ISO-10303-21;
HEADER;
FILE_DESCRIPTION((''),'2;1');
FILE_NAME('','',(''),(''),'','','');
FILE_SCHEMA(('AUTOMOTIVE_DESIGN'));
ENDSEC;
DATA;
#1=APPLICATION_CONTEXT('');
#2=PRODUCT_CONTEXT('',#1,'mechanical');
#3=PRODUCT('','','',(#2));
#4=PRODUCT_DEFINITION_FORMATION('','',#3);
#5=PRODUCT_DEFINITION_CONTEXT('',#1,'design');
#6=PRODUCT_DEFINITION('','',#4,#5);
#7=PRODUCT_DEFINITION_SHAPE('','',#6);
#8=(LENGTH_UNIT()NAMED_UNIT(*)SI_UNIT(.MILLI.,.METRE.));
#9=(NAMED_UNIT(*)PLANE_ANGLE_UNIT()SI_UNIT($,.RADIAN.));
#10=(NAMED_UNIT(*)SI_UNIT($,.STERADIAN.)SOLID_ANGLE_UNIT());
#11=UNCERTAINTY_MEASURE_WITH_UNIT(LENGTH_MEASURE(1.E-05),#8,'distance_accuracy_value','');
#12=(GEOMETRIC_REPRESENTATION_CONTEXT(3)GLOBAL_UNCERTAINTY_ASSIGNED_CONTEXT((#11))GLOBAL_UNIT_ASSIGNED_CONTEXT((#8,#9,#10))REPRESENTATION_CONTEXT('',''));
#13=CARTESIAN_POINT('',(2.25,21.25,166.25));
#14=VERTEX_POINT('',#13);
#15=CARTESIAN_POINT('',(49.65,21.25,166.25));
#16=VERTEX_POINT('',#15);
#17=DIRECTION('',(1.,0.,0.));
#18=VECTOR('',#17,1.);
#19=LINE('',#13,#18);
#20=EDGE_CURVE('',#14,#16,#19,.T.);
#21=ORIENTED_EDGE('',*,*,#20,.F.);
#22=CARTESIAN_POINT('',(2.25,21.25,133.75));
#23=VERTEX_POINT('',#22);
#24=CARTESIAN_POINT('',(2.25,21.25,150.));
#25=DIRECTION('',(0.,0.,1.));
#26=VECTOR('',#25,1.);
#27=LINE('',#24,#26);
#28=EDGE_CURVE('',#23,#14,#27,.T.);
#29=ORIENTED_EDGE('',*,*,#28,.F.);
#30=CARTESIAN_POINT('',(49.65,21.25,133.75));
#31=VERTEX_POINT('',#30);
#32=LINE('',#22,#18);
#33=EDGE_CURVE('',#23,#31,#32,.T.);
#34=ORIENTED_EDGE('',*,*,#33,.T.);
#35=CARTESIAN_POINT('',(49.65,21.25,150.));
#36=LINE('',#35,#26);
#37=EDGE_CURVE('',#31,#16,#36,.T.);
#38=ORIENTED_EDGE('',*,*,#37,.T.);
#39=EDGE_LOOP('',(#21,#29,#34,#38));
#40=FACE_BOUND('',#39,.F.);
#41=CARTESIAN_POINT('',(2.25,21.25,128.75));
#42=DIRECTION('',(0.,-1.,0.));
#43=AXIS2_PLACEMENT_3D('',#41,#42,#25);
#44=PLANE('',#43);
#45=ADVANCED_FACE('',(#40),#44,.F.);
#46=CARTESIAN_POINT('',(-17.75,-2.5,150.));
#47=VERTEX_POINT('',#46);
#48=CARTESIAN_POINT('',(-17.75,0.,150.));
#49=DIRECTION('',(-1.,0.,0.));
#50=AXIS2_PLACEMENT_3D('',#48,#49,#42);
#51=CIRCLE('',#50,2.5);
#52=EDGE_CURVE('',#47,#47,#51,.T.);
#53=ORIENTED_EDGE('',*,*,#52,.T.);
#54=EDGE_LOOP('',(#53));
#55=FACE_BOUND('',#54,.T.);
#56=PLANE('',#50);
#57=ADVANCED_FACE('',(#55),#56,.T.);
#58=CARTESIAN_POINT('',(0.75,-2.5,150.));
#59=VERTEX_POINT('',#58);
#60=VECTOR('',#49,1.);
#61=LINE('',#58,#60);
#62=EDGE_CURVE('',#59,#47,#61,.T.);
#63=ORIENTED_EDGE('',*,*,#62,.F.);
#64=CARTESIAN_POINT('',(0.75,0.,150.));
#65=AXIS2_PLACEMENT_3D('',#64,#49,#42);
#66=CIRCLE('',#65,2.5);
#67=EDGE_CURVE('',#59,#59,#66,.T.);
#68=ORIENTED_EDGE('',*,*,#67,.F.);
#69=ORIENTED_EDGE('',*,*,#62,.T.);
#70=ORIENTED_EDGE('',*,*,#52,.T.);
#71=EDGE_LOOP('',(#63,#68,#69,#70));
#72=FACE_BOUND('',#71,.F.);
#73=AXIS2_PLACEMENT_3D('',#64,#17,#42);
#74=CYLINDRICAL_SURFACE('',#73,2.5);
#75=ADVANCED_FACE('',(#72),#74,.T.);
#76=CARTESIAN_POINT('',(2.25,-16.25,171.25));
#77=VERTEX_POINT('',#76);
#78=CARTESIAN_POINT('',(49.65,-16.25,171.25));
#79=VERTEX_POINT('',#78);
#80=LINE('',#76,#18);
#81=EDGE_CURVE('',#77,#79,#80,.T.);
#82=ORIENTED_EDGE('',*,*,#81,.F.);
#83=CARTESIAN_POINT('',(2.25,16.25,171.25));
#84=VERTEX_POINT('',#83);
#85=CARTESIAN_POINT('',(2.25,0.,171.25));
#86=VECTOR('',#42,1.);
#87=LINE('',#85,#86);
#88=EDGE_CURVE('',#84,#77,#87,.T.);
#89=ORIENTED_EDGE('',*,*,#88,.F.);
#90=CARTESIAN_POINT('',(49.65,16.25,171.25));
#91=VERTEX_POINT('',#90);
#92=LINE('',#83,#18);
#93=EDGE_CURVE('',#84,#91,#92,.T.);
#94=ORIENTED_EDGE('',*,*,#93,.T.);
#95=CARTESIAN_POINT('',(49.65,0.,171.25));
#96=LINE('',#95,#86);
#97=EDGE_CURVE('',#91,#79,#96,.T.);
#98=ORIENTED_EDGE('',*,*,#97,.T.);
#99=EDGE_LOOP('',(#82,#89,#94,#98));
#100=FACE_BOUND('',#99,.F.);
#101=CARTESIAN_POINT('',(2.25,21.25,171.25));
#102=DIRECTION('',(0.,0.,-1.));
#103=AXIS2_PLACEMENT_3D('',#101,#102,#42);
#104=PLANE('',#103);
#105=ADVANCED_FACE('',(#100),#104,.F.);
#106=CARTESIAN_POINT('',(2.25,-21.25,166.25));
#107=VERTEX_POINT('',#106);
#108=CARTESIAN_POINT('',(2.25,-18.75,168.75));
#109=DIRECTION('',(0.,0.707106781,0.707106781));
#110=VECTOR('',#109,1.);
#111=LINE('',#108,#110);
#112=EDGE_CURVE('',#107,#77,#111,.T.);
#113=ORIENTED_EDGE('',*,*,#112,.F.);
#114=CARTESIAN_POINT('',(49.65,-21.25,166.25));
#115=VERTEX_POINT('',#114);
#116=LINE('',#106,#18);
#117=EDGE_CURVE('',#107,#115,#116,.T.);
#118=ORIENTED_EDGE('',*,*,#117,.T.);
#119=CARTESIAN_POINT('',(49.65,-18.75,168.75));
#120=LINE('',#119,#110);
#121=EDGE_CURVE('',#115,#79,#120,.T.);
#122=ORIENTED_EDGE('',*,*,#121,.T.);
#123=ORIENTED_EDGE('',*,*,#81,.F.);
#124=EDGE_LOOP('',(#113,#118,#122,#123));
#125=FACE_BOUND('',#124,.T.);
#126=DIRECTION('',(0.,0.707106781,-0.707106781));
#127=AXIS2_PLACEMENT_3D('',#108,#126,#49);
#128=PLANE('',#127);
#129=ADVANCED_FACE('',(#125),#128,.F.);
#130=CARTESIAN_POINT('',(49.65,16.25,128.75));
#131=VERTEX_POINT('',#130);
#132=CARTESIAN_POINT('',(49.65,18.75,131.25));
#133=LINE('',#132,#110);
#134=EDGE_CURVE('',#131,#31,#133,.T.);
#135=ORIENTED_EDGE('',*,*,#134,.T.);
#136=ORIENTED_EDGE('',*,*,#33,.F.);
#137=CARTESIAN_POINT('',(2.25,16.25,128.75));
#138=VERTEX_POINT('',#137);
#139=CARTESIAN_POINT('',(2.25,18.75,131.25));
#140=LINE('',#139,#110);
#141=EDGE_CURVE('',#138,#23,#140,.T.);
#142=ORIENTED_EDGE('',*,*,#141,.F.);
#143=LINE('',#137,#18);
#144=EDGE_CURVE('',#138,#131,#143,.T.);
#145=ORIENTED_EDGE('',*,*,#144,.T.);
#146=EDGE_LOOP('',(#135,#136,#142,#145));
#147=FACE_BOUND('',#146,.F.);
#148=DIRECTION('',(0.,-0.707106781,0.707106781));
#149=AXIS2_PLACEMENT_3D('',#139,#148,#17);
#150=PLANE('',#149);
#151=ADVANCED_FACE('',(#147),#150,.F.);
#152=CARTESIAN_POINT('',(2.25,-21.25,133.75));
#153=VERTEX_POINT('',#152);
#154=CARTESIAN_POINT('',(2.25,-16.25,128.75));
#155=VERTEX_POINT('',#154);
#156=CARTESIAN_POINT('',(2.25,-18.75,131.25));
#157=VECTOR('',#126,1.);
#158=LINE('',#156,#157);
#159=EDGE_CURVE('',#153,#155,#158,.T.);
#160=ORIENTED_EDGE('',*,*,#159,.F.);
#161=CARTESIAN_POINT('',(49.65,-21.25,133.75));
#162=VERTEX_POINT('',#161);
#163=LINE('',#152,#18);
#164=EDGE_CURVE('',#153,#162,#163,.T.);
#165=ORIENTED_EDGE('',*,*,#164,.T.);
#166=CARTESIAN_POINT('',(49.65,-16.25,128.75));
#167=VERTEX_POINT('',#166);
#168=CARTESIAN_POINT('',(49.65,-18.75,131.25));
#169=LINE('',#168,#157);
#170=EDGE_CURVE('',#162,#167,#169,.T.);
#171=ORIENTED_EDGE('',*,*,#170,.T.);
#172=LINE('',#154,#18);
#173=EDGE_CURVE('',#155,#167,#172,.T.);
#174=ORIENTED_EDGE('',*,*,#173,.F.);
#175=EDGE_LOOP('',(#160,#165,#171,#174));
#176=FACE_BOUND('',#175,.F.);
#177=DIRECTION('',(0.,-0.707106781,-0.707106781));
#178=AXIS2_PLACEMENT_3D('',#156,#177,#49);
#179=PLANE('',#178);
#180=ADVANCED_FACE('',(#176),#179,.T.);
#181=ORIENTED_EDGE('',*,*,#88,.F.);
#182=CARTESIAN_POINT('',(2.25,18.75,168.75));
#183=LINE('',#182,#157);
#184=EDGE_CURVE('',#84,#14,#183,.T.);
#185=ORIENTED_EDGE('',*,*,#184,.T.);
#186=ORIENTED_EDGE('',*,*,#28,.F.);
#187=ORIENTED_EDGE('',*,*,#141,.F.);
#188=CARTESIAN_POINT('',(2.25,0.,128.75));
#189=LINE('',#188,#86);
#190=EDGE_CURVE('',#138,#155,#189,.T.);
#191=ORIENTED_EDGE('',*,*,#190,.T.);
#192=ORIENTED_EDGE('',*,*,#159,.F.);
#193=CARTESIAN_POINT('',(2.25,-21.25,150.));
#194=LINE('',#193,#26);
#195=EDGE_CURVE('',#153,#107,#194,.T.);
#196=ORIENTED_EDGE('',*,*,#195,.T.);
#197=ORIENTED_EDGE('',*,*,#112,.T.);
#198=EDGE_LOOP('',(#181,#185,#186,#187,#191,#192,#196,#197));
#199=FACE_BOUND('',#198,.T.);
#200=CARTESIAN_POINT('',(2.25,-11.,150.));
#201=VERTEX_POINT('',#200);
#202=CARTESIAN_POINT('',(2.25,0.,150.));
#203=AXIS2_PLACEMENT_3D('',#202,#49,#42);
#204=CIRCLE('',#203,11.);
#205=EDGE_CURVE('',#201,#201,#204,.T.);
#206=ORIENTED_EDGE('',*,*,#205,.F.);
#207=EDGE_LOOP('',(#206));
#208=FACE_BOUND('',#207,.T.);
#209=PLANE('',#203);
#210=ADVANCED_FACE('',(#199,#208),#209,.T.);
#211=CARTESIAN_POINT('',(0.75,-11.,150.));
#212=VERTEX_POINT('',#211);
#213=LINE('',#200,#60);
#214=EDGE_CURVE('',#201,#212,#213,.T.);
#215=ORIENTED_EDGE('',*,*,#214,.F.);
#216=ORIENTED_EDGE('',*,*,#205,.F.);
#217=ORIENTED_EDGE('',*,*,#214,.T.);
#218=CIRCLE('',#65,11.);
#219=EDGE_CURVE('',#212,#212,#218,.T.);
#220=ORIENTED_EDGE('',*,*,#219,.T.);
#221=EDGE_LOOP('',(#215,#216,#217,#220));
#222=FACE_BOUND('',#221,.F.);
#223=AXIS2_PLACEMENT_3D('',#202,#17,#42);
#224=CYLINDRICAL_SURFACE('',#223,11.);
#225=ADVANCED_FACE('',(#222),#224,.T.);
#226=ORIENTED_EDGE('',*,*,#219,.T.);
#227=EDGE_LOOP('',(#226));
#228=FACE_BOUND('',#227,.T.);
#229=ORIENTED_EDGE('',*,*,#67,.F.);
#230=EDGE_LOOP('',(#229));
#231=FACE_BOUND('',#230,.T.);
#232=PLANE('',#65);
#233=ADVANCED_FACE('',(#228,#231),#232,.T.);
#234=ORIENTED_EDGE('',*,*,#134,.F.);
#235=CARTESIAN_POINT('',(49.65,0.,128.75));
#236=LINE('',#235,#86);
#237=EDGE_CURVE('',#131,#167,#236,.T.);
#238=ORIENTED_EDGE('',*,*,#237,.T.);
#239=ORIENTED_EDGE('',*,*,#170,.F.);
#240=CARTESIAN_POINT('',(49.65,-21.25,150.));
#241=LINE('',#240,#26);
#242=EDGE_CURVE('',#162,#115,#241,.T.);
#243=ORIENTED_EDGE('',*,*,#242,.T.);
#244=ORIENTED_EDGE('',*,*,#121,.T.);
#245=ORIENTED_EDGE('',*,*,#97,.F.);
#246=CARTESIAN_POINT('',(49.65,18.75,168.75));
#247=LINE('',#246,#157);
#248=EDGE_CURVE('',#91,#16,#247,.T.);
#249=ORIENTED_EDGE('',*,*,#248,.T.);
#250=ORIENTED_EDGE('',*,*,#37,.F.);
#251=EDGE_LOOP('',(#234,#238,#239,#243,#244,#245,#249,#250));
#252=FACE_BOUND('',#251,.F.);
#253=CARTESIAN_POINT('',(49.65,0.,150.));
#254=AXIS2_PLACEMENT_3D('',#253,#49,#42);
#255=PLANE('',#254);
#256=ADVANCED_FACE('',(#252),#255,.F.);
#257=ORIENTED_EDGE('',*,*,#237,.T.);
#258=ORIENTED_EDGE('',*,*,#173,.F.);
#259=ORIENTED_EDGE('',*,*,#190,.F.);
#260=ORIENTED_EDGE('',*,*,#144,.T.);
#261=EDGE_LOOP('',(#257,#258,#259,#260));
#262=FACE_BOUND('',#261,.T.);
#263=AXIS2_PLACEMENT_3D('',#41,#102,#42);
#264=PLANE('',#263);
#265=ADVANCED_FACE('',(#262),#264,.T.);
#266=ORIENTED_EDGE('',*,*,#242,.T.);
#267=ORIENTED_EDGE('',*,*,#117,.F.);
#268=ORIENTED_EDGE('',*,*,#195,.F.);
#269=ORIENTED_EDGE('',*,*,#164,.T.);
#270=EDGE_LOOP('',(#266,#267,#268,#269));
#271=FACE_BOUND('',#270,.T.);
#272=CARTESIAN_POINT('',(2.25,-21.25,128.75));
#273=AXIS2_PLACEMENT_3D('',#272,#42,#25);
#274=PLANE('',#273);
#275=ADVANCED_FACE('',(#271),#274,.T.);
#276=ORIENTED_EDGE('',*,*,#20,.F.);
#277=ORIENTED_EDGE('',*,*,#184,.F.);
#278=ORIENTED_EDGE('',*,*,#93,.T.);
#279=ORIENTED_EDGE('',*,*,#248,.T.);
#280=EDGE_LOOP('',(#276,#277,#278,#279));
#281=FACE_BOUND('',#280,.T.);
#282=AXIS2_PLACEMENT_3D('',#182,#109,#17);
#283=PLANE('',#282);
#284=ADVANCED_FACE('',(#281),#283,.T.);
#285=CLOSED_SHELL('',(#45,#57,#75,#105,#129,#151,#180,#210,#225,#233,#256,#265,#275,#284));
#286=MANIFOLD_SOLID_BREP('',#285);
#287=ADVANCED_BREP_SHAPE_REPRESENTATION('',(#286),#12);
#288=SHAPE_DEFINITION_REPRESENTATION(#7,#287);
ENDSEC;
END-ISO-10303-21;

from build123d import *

# Parameters (mm, degrees)
SKETCH052_W             = 42.5
SKETCH052_H             = 42.5
PAD021_DEPTH            = 47.4
CHAMFER013_SIZE         = 5
CHAMFER014_SIZE         = 5
CHAMFER012_SIZE         = 5
CHAMFER015_SIZE         = 5
SKETCH054_R             = 11
PAD020_DEPTH            = 1.5
SKETCH053_R             = 2.5
PAD019_DEPTH            = 18.5
BODY012_PLACEMENT_ANGLE = -90


with BuildPart() as part:
    # Sketch052 → Pad021 (new body)
    with BuildSketch(Plane.XZ):
        Rectangle(SKETCH052_W, SKETCH052_H)
    extrude(amount=-PAD021_DEPTH)

    # Chamfer013
    chamfer013_edges = [part.edges().sort_by_distance(p)[0] for p in [
        (21.25, 23.7, 21.25),
    ]]
    chamfer(chamfer013_edges, length=CHAMFER013_SIZE)

    # Chamfer014
    chamfer014_edges = [part.edges().sort_by_distance(p)[0] for p in [
        (-21.25, 23.7, 21.25),
    ]]
    chamfer(chamfer014_edges, length=CHAMFER014_SIZE)

    # Chamfer012
    chamfer012_edges = [part.edges().sort_by_distance(p)[0] for p in [
        (21.25, 23.7, -21.25),
    ]]
    chamfer(chamfer012_edges, length=CHAMFER012_SIZE)

    # Chamfer015
    chamfer015_edges = [part.edges().sort_by_distance(p)[0] for p in [
        (-21.25, 23.7, -21.25),
    ]]
    chamfer(chamfer015_edges, length=CHAMFER015_SIZE)

    # Sketch054 (on Face1 of Chamfer015) → Pad020 (join)
    with BuildSketch(Plane.XZ):
        Circle(SKETCH054_R)
    extrude(amount=PAD020_DEPTH)

    # Sketch053 (on Face12 of Pad020) → Pad019 (join)
    with BuildSketch(Plane.XZ.offset(1.5)):
        Circle(SKETCH053_R)
    extrude(amount=PAD019_DEPTH)


with BuildPart() as part_1:
    # Body012 placement: moved
    add(part.part.moved(Location((2.25, 0, 150))).rotate(Axis((2.25, 0, 150), (0, 0, 1)), BODY012_PLACEMENT_ANGLE))


solid = part_1.part
